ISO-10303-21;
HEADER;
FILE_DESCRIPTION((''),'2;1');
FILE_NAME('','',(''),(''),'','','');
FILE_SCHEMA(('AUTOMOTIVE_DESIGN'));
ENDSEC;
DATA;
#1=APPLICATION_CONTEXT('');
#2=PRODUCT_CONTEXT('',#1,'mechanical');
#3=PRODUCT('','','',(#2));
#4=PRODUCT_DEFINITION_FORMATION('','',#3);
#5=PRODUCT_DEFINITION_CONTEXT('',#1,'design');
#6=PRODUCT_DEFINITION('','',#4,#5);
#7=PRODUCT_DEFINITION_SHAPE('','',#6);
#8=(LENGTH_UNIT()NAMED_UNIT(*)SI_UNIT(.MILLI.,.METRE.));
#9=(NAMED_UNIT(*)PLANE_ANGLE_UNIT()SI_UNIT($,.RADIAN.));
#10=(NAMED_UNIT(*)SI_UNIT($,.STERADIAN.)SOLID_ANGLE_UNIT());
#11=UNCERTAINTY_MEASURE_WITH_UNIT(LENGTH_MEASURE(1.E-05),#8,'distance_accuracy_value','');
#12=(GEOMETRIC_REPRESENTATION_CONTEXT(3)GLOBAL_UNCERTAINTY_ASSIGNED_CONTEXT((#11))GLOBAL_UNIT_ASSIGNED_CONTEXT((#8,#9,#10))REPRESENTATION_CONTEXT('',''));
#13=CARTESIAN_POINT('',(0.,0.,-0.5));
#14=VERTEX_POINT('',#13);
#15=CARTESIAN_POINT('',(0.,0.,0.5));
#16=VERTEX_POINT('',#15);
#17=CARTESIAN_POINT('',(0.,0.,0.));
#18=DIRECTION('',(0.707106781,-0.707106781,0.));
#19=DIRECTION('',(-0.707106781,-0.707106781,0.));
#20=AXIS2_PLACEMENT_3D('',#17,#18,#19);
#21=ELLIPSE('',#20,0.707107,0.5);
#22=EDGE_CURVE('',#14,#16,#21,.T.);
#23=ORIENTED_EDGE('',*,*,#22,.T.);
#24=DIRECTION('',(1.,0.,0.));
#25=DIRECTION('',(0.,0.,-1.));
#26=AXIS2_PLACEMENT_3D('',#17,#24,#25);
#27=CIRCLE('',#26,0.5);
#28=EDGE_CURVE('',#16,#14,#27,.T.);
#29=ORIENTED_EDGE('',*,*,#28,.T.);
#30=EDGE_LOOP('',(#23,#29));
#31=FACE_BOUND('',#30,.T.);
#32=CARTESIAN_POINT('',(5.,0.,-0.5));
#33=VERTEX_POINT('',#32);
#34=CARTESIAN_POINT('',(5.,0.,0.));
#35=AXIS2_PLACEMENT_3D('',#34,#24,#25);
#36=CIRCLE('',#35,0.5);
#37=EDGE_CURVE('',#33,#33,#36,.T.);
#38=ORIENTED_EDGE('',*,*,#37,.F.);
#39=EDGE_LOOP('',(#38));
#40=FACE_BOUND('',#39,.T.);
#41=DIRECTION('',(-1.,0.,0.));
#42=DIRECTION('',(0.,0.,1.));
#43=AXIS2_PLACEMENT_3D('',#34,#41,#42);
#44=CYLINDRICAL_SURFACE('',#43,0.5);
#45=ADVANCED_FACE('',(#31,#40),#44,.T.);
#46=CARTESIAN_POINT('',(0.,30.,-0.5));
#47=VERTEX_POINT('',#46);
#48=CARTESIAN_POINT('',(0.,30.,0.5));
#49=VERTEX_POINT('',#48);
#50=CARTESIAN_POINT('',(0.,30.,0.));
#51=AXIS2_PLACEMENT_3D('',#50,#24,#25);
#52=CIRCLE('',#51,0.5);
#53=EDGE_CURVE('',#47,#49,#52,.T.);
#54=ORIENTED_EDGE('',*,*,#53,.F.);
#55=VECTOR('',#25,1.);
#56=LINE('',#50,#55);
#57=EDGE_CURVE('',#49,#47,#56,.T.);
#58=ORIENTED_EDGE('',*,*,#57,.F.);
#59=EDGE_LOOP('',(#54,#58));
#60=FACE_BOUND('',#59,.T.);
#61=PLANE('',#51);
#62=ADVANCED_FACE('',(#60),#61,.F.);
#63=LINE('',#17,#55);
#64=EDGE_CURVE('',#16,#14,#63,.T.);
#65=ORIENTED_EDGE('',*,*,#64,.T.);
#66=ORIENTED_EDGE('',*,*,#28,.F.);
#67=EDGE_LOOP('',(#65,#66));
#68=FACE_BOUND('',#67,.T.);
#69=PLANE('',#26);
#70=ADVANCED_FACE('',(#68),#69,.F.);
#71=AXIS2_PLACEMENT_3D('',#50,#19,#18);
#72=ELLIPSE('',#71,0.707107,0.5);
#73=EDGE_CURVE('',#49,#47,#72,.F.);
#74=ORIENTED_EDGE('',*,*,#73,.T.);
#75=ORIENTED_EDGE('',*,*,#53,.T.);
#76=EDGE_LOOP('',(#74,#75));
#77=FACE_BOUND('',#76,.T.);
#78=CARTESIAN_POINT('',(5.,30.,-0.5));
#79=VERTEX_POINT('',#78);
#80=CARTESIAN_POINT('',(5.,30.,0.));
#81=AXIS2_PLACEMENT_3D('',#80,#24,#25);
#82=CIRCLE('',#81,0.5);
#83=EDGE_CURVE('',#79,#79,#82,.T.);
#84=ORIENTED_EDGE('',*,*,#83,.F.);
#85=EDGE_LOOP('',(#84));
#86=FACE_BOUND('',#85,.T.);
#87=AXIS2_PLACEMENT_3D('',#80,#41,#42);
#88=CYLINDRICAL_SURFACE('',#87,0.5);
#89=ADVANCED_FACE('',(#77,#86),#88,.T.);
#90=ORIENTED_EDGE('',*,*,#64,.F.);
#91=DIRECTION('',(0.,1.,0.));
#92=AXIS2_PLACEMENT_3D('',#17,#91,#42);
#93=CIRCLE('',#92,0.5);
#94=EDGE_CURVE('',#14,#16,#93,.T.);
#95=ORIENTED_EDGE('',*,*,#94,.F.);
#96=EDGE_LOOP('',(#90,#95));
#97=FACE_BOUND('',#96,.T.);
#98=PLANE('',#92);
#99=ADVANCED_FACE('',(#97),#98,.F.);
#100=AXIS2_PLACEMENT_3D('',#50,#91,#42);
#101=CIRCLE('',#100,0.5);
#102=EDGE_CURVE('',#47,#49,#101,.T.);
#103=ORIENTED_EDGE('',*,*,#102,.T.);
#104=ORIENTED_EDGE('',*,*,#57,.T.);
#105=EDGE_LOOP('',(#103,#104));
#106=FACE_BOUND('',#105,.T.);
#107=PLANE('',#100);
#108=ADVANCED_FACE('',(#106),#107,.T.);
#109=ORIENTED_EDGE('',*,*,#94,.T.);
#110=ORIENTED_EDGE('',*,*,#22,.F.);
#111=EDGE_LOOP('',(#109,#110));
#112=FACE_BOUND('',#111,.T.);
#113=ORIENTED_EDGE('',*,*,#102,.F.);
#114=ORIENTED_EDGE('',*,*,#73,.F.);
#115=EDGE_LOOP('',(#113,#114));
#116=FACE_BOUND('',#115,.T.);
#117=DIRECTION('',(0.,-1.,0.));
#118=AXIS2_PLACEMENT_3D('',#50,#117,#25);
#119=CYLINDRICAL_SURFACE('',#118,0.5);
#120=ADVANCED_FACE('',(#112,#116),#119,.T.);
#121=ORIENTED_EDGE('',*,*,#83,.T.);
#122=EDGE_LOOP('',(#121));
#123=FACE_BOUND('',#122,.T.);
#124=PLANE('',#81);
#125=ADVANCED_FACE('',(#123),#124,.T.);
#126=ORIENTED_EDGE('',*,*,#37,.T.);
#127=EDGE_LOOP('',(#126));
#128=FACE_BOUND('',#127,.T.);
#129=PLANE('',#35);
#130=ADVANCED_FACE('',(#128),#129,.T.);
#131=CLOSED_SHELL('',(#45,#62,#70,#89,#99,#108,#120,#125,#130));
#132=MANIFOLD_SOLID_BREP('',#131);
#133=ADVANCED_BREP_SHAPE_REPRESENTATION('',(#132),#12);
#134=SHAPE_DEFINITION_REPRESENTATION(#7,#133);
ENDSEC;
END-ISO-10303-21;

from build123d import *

# Parameters (mm, degrees)
SKETCH1_R           = 0.5
BOSS_EXTRUDE2_DEPTH = 30
SKETCH9_R           = 0.5
BOSS_EXTRUDE3_DEPTH = 5


with BuildPart() as part:
    # Sketch1 → Boss-Extrude2 (new body)
    with BuildSketch(Plane(origin=(0, 0, 0), x_dir=(1, 0, 0), z_dir=(0, 1, 0))):
        with Locations(Location((0, 0, 0), (0, 0, 270))):
            Circle(SKETCH1_R)
    extrude(amount=BOSS_EXTRUDE2_DEPTH)

    # Sketch9 → Boss-Extrude3 (add)
    with BuildSketch(Plane(origin=(0, 0, 0), x_dir=(0, 0, -1), z_dir=(1, 0, 0))):
        Circle(SKETCH9_R)
        with Locations((0, 30)):
            Circle(SKETCH9_R)
    extrude(amount=BOSS_EXTRUDE3_DEPTH)


solid = part.part
